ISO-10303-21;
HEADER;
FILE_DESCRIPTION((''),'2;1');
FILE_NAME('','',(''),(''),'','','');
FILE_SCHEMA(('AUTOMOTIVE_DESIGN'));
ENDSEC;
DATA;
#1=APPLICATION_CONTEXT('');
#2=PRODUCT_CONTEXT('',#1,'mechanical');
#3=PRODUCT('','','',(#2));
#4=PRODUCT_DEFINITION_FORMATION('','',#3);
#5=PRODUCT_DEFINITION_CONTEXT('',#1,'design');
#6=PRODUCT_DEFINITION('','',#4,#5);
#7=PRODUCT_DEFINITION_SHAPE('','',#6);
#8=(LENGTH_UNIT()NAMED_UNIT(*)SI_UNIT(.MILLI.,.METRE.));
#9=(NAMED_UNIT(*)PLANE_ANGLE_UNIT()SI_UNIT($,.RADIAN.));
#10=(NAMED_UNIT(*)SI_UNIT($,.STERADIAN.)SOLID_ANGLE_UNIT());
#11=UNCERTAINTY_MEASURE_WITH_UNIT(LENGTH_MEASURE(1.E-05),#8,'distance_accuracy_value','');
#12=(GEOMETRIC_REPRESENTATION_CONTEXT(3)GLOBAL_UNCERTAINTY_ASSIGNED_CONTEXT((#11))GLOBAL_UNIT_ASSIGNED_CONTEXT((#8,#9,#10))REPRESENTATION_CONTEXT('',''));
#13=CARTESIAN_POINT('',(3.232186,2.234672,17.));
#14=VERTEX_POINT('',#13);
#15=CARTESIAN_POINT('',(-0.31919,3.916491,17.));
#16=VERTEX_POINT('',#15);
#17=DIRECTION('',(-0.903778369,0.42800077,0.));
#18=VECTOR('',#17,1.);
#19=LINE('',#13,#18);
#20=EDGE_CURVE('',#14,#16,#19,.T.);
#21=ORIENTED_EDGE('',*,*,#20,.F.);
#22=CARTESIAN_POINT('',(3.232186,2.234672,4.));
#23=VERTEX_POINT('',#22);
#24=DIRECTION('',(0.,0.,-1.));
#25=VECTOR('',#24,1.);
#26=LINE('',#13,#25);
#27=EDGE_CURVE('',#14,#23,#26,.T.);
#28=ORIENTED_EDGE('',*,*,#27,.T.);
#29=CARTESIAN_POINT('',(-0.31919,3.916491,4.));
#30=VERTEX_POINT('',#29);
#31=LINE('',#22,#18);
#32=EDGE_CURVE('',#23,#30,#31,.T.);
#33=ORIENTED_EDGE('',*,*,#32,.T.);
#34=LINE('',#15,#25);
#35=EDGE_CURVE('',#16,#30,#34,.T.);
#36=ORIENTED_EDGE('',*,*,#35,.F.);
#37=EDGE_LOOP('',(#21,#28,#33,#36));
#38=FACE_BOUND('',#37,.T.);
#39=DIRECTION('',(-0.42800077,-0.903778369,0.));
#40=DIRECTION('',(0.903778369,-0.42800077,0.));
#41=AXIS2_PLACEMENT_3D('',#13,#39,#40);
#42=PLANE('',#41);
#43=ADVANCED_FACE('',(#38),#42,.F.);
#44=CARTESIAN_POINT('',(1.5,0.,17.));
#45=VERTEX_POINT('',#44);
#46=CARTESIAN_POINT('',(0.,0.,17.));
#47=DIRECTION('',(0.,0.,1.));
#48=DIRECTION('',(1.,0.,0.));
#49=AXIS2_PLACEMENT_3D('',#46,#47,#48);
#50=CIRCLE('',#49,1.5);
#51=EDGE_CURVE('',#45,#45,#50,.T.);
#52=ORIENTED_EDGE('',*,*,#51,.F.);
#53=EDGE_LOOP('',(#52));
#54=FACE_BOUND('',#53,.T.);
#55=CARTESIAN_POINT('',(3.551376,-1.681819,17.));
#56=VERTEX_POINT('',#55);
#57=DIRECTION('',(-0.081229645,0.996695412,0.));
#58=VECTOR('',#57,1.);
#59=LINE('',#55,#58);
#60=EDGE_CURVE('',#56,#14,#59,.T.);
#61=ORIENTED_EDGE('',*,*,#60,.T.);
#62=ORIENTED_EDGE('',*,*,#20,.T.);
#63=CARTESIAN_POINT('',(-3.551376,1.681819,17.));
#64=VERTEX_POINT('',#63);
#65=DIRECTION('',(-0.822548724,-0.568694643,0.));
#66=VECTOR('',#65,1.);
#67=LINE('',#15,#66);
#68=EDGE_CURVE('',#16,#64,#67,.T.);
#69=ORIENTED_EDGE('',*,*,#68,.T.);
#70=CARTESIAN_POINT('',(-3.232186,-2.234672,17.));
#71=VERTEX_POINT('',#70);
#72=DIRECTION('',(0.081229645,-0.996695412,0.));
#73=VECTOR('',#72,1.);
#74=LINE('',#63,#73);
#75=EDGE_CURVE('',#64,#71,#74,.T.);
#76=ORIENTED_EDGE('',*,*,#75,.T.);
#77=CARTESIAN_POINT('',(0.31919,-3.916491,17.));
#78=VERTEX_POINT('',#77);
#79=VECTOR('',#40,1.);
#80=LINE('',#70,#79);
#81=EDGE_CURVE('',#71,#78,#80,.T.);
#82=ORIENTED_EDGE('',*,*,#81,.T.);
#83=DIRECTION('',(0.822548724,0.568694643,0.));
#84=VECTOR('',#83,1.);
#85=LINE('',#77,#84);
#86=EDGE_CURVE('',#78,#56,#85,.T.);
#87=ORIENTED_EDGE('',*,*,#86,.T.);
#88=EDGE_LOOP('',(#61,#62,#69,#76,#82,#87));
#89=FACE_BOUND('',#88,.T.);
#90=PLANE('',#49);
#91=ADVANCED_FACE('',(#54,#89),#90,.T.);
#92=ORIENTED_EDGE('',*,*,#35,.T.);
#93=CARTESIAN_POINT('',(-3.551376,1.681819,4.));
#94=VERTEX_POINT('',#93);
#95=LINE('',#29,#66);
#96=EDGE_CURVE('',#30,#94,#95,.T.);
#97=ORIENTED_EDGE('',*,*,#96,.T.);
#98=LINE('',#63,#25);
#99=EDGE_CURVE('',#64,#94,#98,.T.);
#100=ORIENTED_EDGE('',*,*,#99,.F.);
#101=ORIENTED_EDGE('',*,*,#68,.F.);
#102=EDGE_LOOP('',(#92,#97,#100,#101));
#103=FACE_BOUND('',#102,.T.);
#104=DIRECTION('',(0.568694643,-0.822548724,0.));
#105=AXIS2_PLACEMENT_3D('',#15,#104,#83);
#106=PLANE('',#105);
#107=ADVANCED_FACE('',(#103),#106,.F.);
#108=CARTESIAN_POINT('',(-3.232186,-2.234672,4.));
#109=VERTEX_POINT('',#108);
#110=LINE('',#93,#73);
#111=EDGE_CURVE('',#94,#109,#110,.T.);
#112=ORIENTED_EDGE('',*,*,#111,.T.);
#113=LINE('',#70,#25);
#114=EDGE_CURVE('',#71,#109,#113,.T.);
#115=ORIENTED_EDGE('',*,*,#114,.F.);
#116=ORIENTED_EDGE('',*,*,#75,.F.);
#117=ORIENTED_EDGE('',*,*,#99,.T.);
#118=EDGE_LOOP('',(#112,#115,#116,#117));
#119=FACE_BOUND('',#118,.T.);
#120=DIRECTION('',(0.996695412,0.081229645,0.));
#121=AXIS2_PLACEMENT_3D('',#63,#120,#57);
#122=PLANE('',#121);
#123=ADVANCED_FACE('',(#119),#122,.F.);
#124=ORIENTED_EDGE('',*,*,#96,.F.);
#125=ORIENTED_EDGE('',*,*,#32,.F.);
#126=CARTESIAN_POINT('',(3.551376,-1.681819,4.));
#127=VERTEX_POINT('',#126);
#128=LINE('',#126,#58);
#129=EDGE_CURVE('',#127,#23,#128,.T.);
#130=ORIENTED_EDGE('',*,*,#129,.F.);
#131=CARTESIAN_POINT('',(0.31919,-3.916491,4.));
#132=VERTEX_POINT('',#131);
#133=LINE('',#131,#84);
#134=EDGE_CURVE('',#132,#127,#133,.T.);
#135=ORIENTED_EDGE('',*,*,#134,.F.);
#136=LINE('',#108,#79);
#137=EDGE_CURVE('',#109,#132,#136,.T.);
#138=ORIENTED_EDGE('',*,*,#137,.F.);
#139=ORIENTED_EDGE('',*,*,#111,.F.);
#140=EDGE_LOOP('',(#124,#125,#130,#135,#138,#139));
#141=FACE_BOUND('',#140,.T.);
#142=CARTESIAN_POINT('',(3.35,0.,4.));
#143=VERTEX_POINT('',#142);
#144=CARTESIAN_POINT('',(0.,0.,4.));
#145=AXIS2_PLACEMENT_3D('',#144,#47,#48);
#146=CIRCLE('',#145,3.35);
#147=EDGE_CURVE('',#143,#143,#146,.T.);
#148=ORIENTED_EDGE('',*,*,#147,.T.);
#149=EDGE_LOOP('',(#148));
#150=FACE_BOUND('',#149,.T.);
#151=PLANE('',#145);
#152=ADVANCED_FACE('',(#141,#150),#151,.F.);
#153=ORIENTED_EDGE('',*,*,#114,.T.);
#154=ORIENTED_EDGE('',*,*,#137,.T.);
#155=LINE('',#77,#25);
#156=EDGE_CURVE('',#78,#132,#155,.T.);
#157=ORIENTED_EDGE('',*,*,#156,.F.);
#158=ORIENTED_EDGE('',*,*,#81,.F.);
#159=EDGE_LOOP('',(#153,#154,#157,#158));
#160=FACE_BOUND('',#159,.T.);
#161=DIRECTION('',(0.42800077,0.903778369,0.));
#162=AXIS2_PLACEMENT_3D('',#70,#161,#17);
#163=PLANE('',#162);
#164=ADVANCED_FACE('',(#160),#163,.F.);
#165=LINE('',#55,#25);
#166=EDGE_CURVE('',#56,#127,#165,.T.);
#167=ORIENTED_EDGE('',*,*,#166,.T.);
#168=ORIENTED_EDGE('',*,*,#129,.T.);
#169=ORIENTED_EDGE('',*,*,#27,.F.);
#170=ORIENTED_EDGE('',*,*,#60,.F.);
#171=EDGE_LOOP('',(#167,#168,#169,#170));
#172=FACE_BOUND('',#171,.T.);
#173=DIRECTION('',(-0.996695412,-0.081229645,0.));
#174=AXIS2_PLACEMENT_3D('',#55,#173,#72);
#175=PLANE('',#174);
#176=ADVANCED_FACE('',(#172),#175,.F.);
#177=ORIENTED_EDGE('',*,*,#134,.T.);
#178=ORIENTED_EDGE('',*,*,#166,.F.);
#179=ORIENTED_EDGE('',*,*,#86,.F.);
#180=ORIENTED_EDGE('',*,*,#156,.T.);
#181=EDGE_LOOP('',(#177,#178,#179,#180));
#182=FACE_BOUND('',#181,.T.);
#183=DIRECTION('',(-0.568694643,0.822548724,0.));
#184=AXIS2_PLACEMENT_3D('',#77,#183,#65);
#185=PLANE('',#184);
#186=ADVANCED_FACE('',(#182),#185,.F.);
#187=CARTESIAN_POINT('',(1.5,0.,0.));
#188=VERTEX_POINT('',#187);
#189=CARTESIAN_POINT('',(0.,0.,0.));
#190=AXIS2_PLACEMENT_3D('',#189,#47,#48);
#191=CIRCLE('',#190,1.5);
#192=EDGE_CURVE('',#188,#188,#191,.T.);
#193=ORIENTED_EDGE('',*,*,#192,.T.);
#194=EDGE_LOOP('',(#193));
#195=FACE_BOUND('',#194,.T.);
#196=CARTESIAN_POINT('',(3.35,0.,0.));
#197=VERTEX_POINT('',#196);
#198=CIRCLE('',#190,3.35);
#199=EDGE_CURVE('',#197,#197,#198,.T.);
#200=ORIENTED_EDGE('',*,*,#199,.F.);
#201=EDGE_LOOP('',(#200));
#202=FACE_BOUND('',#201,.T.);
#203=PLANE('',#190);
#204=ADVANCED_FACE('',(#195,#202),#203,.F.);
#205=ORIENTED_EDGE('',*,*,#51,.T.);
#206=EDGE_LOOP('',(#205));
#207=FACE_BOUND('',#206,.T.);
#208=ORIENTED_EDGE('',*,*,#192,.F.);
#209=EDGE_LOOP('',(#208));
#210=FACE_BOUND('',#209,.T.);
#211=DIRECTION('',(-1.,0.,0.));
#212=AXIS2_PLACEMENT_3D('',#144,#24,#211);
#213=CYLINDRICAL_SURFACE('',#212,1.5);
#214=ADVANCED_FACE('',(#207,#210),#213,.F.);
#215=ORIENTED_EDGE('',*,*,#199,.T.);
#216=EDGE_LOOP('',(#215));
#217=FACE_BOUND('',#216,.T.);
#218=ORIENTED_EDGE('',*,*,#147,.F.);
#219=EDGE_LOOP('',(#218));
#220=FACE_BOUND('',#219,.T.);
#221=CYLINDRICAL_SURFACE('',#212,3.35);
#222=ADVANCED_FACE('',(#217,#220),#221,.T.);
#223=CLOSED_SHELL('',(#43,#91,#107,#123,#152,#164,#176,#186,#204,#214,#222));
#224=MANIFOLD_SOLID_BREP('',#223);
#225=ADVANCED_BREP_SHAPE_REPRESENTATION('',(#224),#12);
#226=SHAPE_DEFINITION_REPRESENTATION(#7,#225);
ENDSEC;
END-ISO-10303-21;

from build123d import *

# Parameters (mm, degrees)
SKETCH_1_R      = 3.35
SKETCH_1_R_2    = 1.5
EXTRUDE_1_DEPTH = 4
SKETCH_3_R      = 1.5
EXTRUDE_2_DEPTH = 13


with BuildPart() as part:
    # 草图1 → 凸台-拉伸1 (new body)
    with BuildSketch(Plane.XY):
        Circle(SKETCH_1_R)
        Circle(SKETCH_1_R_2, mode=Mode.SUBTRACT)
    extrude(amount=EXTRUDE_1_DEPTH)

    # 草图3 → 凸台-拉伸2 (add)
    with BuildSketch(Plane.XY.offset(4)):
        Polygon((3.551375818, -1.681818945), (3.23218584, 2.234672205), (-0.319189978, 3.916491149), (-3.551375818, 1.681818945), (-3.23218584, -2.234672205), (0.319189978, -3.916491149), align=None)
        Circle(SKETCH_3_R, mode=Mode.SUBTRACT)
    extrude(amount=EXTRUDE_2_DEPTH)


solid = part.part
